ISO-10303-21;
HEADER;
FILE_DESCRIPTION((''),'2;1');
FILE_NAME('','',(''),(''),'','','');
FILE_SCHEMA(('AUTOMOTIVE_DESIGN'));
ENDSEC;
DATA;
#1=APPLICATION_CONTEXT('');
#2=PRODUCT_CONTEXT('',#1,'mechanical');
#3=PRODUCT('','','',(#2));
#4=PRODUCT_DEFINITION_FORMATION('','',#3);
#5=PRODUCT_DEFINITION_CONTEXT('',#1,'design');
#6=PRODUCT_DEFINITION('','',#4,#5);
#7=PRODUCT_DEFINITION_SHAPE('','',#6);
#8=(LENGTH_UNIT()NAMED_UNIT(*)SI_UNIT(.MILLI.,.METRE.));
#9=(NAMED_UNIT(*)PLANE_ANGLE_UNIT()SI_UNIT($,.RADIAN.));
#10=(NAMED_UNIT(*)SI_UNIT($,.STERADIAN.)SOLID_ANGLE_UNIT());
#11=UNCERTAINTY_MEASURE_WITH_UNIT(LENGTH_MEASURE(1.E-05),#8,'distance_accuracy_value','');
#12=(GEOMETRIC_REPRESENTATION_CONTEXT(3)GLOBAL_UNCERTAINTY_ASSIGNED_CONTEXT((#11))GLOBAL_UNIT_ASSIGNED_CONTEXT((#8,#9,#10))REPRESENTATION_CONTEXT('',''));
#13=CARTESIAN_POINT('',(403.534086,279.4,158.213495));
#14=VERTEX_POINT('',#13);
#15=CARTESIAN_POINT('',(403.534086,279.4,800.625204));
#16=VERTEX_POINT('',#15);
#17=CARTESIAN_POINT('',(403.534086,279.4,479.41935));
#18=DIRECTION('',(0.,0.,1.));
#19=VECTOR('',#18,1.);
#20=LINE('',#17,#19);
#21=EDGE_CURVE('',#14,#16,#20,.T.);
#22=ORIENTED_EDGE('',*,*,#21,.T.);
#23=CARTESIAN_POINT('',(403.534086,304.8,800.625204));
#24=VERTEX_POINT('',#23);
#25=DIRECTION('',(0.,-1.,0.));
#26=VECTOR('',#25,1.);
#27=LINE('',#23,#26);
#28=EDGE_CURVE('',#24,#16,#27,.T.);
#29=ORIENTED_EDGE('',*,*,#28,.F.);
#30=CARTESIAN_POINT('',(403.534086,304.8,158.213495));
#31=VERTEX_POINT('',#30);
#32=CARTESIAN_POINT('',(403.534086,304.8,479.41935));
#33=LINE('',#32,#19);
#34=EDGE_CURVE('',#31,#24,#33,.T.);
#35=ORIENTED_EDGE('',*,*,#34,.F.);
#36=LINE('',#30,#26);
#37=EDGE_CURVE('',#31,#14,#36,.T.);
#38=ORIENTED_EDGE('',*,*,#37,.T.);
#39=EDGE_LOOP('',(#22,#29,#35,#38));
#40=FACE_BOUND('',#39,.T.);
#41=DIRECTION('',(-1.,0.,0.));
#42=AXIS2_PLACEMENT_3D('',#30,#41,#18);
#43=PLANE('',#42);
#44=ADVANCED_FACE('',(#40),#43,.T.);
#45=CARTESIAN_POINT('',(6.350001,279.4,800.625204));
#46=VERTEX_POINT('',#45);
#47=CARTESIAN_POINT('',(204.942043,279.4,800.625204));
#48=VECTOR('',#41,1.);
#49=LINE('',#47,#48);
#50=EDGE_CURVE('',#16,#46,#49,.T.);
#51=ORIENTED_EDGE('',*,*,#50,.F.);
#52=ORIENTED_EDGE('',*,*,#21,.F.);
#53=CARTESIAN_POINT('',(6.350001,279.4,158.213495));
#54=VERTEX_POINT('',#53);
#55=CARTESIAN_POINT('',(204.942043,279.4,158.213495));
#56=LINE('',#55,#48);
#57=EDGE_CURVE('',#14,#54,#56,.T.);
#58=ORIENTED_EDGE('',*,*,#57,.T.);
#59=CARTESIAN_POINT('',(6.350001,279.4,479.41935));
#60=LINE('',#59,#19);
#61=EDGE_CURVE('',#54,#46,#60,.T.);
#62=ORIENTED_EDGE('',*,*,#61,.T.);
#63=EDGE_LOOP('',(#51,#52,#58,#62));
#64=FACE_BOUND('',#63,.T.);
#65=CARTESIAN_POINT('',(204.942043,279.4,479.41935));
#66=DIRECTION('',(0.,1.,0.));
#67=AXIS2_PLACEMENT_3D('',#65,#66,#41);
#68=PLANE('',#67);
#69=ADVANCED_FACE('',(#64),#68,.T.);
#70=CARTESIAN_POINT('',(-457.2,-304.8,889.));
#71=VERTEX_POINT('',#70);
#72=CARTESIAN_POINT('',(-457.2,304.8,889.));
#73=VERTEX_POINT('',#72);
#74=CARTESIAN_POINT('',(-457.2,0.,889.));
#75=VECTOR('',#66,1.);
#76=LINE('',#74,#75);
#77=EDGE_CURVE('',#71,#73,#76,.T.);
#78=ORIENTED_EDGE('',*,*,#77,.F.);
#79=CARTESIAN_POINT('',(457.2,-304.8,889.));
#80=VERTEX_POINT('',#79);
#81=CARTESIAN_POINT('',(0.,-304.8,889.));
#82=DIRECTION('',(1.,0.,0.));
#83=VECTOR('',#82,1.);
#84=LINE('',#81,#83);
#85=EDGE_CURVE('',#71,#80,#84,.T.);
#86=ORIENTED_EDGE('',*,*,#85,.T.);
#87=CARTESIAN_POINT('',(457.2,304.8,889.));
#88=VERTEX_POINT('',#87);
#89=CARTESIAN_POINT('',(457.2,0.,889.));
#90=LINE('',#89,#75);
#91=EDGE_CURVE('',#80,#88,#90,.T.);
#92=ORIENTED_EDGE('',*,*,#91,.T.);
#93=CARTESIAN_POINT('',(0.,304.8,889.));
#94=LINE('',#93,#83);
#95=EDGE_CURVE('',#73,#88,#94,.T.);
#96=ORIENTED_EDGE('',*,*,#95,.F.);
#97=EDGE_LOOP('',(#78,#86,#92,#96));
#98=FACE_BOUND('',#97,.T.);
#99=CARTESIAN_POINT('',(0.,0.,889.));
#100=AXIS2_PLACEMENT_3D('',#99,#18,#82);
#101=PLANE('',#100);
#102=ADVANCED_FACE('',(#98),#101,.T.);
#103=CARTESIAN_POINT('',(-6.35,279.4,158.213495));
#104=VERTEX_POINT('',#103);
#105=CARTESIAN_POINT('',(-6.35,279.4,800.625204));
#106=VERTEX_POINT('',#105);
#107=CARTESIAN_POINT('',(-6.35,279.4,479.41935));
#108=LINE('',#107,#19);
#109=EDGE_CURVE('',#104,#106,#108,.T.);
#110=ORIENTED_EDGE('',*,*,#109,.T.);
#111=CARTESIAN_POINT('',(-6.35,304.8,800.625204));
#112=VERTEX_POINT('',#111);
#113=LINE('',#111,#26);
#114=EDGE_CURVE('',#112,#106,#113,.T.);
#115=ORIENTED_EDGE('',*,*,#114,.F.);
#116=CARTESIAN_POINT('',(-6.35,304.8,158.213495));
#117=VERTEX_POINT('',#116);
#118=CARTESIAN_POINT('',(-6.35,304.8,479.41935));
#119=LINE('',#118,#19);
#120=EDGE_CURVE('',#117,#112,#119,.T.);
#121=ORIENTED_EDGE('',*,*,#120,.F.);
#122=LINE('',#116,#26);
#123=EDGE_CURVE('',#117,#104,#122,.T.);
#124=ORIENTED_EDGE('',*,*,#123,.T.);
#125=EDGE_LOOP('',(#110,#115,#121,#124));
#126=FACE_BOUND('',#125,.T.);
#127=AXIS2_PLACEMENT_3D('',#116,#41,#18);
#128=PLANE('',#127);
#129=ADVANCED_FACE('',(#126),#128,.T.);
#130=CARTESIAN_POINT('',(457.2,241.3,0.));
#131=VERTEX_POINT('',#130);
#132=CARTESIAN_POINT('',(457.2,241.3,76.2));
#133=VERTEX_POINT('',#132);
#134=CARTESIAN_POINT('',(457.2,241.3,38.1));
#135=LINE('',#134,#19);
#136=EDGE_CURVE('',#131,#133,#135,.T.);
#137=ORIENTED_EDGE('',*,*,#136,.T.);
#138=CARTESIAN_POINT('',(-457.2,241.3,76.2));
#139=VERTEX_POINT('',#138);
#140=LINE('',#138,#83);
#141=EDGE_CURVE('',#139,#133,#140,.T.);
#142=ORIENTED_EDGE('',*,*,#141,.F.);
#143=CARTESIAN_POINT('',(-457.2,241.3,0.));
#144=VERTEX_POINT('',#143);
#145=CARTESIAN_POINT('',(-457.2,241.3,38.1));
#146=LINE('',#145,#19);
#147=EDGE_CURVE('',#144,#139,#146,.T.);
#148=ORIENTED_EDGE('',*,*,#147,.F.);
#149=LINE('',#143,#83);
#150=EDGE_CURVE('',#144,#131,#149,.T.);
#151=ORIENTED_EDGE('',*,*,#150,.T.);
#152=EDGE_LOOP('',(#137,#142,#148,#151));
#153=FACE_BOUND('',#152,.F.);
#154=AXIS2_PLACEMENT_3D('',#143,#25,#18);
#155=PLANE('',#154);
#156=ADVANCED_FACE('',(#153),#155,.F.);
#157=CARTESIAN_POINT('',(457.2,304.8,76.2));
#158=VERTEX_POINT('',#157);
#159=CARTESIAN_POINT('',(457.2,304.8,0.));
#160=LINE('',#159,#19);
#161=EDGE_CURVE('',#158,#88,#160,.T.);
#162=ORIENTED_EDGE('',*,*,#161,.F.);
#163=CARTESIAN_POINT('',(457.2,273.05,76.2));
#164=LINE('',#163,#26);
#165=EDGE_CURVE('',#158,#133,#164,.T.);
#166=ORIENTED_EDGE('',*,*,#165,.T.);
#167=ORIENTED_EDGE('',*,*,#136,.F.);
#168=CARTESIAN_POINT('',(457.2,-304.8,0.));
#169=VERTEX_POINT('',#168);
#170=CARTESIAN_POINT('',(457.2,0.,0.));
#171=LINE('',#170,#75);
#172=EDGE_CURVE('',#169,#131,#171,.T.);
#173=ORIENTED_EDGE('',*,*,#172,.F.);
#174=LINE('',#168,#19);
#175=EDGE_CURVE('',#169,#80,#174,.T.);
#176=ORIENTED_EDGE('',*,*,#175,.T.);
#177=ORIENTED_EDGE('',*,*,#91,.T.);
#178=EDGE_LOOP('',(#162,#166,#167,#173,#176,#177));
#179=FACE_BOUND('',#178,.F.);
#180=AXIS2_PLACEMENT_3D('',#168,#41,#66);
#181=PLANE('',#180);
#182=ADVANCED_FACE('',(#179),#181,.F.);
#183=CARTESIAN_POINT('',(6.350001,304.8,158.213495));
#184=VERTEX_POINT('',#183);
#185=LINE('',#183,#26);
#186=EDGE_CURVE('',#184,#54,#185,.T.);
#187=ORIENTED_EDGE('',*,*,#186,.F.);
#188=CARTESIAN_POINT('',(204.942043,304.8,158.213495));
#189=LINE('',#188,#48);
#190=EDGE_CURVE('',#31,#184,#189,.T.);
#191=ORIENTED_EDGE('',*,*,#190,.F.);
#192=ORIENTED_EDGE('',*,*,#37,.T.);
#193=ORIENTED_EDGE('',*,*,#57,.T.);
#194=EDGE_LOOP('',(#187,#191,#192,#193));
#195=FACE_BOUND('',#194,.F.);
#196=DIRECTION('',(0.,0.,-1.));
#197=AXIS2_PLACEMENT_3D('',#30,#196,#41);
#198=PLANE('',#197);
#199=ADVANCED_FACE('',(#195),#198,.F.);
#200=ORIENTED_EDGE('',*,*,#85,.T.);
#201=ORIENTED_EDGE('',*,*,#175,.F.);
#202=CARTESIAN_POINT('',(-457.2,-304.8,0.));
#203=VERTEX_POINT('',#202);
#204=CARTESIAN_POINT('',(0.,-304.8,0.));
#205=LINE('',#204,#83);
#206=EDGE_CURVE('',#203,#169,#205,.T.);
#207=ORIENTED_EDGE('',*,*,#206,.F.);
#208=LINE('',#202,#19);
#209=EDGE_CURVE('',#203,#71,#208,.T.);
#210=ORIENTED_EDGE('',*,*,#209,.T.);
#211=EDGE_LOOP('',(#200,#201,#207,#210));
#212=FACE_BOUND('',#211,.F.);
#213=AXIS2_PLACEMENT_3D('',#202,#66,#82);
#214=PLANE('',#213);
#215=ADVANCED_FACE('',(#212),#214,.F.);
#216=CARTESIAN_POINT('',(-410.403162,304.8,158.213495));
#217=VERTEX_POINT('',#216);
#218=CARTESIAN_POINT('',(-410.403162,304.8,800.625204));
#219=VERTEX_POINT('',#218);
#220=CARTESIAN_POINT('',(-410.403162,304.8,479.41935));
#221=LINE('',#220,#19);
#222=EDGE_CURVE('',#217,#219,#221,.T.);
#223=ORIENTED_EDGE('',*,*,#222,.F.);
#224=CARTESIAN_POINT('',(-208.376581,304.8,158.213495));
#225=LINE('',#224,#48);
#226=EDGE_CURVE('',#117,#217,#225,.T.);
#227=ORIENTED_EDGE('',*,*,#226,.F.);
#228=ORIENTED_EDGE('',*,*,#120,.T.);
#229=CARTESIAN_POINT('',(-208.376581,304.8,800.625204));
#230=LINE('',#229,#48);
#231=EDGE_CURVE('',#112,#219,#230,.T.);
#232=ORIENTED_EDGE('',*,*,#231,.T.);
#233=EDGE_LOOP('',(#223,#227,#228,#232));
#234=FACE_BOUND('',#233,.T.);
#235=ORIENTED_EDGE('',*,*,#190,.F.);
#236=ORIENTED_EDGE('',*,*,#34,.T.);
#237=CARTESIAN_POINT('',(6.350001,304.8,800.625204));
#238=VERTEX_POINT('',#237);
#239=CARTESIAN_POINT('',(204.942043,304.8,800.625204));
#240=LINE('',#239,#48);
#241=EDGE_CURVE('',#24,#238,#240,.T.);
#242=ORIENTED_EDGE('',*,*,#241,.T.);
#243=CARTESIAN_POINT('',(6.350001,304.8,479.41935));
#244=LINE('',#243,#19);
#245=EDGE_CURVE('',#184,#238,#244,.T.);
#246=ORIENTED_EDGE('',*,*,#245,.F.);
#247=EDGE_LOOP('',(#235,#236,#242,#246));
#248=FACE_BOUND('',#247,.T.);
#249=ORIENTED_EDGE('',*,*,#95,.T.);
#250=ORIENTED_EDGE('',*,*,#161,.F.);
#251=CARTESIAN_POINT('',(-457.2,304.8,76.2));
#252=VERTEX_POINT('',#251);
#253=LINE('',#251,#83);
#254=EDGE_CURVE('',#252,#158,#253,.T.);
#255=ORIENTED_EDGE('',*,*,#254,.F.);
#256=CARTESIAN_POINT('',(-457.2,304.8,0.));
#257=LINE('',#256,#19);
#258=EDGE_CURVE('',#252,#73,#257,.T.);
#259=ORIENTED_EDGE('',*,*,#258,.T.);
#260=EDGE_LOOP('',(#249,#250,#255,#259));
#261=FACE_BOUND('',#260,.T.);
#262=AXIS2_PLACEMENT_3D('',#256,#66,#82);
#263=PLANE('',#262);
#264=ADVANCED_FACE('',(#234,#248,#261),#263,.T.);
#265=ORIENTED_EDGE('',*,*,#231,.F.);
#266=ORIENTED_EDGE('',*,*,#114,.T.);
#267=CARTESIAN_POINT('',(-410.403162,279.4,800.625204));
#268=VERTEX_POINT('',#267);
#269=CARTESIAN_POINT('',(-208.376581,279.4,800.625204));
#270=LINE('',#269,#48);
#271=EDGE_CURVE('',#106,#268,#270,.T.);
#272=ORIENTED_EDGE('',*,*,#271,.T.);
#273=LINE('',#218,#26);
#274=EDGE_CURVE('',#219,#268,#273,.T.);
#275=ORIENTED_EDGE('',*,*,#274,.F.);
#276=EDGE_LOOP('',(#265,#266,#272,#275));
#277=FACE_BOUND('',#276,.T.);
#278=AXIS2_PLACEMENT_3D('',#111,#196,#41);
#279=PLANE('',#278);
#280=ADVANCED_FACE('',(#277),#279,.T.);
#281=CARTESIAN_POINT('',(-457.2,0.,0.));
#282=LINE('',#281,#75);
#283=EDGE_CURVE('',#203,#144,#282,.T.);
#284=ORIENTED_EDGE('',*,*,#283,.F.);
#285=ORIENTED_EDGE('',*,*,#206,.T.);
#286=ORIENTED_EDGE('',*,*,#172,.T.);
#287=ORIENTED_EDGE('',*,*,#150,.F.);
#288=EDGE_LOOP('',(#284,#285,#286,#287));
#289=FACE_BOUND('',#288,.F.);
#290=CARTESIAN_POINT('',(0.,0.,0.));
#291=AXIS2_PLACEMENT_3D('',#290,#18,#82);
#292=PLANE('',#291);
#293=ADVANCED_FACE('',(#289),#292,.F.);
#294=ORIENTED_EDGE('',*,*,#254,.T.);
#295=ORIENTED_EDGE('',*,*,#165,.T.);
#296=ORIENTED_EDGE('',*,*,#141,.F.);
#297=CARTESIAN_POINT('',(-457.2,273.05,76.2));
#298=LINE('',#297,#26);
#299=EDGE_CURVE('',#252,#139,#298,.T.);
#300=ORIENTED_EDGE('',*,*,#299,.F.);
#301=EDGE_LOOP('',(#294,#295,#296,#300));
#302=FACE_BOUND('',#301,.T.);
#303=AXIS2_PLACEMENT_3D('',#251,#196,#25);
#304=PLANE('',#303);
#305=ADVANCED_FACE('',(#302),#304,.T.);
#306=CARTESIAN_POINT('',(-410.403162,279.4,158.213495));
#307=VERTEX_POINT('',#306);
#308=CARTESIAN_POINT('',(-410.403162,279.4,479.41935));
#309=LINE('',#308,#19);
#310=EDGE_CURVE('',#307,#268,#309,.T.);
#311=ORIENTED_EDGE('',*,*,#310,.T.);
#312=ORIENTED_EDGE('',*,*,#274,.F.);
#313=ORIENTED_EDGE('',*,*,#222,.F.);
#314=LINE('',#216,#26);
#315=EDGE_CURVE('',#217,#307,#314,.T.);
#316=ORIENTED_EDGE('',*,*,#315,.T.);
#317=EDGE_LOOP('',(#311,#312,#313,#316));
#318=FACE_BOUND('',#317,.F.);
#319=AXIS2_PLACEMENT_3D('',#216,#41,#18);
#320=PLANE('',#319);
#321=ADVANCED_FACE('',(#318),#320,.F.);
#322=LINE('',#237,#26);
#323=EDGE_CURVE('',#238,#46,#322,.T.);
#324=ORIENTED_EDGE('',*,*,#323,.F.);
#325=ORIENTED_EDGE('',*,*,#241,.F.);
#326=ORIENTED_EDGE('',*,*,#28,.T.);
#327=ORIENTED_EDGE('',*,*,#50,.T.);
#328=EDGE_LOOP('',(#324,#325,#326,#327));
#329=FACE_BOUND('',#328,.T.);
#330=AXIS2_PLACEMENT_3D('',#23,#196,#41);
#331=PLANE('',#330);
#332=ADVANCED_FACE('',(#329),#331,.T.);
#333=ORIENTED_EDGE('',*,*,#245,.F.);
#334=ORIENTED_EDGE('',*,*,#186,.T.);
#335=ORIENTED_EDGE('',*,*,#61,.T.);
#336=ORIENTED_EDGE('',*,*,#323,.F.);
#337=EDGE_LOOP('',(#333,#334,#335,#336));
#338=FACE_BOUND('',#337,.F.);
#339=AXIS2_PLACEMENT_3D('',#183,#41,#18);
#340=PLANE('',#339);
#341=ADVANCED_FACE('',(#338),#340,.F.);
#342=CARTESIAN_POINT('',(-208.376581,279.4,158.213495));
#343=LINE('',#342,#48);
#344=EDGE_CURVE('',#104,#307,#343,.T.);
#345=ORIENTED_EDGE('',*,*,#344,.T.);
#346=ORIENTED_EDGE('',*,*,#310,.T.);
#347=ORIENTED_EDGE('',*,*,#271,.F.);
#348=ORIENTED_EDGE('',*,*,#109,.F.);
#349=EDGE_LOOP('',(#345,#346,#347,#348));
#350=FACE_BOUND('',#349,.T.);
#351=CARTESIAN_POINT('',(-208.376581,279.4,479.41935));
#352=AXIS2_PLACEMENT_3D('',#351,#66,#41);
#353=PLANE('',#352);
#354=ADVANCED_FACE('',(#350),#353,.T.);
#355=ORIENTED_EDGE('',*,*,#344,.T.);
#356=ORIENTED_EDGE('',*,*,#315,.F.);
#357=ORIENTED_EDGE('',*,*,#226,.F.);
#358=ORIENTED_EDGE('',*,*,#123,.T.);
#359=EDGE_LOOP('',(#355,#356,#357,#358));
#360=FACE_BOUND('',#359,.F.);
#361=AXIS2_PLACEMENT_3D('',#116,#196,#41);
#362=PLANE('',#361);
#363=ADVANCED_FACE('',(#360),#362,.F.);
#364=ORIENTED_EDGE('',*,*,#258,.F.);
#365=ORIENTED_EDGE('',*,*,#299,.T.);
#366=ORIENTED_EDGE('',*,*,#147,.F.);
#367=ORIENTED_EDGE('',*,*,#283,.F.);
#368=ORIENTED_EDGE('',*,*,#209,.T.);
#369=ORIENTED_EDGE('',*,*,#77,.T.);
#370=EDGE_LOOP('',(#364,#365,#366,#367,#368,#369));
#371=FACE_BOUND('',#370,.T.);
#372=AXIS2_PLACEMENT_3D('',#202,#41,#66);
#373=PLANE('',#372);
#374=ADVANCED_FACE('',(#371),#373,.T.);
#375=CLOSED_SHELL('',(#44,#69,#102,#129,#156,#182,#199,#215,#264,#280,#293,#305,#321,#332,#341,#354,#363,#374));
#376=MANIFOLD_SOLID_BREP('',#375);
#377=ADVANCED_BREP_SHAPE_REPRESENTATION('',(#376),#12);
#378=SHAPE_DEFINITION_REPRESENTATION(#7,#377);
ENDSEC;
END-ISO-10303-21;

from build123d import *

# Parameters (mm, degrees)
F0_W     = 914.4
F0_H     = 609.6
F1_DEPTH = 889
F2_W     = 63.5
F2_H     = 76.2
F3_DEPTH = 914.4
F4_W     = 397.184085
F4_H     = 642.411709
F4_W_2   = 404.053162
F5_DEPTH = 25.4


with BuildPart() as f1:
    # F0 (on Top) → F1 (new body)
    with BuildSketch(Plane.XY):
        Rectangle(F0_W, F0_H)
    extrude(amount=F1_DEPTH)

    # F2 (on face) → F3 (cut)
    with BuildSketch(Plane(origin=(-457.2, 0, 0), x_dir=(0, -1, 0), z_dir=(-1, 0, 0))):
        with Locations((-273.05, 38.1)):
            Rectangle(F2_W, F2_H)
    extrude(amount=-F3_DEPTH, mode=Mode.SUBTRACT)

    # F4 (on face) → F5 (cut)
    with BuildSketch(Plane(origin=(0, 304.8, 0), x_dir=(-1, 0, 0), z_dir=(0, 1, 0))):
        with Locations((-204.942043, 479.41935)):
            Rectangle(F4_W, F4_H)
        with Locations((208.376581, 479.41935)):
            Rectangle(F4_W_2, F4_H)
    extrude(amount=-F5_DEPTH, mode=Mode.SUBTRACT)


solid = f1.part
